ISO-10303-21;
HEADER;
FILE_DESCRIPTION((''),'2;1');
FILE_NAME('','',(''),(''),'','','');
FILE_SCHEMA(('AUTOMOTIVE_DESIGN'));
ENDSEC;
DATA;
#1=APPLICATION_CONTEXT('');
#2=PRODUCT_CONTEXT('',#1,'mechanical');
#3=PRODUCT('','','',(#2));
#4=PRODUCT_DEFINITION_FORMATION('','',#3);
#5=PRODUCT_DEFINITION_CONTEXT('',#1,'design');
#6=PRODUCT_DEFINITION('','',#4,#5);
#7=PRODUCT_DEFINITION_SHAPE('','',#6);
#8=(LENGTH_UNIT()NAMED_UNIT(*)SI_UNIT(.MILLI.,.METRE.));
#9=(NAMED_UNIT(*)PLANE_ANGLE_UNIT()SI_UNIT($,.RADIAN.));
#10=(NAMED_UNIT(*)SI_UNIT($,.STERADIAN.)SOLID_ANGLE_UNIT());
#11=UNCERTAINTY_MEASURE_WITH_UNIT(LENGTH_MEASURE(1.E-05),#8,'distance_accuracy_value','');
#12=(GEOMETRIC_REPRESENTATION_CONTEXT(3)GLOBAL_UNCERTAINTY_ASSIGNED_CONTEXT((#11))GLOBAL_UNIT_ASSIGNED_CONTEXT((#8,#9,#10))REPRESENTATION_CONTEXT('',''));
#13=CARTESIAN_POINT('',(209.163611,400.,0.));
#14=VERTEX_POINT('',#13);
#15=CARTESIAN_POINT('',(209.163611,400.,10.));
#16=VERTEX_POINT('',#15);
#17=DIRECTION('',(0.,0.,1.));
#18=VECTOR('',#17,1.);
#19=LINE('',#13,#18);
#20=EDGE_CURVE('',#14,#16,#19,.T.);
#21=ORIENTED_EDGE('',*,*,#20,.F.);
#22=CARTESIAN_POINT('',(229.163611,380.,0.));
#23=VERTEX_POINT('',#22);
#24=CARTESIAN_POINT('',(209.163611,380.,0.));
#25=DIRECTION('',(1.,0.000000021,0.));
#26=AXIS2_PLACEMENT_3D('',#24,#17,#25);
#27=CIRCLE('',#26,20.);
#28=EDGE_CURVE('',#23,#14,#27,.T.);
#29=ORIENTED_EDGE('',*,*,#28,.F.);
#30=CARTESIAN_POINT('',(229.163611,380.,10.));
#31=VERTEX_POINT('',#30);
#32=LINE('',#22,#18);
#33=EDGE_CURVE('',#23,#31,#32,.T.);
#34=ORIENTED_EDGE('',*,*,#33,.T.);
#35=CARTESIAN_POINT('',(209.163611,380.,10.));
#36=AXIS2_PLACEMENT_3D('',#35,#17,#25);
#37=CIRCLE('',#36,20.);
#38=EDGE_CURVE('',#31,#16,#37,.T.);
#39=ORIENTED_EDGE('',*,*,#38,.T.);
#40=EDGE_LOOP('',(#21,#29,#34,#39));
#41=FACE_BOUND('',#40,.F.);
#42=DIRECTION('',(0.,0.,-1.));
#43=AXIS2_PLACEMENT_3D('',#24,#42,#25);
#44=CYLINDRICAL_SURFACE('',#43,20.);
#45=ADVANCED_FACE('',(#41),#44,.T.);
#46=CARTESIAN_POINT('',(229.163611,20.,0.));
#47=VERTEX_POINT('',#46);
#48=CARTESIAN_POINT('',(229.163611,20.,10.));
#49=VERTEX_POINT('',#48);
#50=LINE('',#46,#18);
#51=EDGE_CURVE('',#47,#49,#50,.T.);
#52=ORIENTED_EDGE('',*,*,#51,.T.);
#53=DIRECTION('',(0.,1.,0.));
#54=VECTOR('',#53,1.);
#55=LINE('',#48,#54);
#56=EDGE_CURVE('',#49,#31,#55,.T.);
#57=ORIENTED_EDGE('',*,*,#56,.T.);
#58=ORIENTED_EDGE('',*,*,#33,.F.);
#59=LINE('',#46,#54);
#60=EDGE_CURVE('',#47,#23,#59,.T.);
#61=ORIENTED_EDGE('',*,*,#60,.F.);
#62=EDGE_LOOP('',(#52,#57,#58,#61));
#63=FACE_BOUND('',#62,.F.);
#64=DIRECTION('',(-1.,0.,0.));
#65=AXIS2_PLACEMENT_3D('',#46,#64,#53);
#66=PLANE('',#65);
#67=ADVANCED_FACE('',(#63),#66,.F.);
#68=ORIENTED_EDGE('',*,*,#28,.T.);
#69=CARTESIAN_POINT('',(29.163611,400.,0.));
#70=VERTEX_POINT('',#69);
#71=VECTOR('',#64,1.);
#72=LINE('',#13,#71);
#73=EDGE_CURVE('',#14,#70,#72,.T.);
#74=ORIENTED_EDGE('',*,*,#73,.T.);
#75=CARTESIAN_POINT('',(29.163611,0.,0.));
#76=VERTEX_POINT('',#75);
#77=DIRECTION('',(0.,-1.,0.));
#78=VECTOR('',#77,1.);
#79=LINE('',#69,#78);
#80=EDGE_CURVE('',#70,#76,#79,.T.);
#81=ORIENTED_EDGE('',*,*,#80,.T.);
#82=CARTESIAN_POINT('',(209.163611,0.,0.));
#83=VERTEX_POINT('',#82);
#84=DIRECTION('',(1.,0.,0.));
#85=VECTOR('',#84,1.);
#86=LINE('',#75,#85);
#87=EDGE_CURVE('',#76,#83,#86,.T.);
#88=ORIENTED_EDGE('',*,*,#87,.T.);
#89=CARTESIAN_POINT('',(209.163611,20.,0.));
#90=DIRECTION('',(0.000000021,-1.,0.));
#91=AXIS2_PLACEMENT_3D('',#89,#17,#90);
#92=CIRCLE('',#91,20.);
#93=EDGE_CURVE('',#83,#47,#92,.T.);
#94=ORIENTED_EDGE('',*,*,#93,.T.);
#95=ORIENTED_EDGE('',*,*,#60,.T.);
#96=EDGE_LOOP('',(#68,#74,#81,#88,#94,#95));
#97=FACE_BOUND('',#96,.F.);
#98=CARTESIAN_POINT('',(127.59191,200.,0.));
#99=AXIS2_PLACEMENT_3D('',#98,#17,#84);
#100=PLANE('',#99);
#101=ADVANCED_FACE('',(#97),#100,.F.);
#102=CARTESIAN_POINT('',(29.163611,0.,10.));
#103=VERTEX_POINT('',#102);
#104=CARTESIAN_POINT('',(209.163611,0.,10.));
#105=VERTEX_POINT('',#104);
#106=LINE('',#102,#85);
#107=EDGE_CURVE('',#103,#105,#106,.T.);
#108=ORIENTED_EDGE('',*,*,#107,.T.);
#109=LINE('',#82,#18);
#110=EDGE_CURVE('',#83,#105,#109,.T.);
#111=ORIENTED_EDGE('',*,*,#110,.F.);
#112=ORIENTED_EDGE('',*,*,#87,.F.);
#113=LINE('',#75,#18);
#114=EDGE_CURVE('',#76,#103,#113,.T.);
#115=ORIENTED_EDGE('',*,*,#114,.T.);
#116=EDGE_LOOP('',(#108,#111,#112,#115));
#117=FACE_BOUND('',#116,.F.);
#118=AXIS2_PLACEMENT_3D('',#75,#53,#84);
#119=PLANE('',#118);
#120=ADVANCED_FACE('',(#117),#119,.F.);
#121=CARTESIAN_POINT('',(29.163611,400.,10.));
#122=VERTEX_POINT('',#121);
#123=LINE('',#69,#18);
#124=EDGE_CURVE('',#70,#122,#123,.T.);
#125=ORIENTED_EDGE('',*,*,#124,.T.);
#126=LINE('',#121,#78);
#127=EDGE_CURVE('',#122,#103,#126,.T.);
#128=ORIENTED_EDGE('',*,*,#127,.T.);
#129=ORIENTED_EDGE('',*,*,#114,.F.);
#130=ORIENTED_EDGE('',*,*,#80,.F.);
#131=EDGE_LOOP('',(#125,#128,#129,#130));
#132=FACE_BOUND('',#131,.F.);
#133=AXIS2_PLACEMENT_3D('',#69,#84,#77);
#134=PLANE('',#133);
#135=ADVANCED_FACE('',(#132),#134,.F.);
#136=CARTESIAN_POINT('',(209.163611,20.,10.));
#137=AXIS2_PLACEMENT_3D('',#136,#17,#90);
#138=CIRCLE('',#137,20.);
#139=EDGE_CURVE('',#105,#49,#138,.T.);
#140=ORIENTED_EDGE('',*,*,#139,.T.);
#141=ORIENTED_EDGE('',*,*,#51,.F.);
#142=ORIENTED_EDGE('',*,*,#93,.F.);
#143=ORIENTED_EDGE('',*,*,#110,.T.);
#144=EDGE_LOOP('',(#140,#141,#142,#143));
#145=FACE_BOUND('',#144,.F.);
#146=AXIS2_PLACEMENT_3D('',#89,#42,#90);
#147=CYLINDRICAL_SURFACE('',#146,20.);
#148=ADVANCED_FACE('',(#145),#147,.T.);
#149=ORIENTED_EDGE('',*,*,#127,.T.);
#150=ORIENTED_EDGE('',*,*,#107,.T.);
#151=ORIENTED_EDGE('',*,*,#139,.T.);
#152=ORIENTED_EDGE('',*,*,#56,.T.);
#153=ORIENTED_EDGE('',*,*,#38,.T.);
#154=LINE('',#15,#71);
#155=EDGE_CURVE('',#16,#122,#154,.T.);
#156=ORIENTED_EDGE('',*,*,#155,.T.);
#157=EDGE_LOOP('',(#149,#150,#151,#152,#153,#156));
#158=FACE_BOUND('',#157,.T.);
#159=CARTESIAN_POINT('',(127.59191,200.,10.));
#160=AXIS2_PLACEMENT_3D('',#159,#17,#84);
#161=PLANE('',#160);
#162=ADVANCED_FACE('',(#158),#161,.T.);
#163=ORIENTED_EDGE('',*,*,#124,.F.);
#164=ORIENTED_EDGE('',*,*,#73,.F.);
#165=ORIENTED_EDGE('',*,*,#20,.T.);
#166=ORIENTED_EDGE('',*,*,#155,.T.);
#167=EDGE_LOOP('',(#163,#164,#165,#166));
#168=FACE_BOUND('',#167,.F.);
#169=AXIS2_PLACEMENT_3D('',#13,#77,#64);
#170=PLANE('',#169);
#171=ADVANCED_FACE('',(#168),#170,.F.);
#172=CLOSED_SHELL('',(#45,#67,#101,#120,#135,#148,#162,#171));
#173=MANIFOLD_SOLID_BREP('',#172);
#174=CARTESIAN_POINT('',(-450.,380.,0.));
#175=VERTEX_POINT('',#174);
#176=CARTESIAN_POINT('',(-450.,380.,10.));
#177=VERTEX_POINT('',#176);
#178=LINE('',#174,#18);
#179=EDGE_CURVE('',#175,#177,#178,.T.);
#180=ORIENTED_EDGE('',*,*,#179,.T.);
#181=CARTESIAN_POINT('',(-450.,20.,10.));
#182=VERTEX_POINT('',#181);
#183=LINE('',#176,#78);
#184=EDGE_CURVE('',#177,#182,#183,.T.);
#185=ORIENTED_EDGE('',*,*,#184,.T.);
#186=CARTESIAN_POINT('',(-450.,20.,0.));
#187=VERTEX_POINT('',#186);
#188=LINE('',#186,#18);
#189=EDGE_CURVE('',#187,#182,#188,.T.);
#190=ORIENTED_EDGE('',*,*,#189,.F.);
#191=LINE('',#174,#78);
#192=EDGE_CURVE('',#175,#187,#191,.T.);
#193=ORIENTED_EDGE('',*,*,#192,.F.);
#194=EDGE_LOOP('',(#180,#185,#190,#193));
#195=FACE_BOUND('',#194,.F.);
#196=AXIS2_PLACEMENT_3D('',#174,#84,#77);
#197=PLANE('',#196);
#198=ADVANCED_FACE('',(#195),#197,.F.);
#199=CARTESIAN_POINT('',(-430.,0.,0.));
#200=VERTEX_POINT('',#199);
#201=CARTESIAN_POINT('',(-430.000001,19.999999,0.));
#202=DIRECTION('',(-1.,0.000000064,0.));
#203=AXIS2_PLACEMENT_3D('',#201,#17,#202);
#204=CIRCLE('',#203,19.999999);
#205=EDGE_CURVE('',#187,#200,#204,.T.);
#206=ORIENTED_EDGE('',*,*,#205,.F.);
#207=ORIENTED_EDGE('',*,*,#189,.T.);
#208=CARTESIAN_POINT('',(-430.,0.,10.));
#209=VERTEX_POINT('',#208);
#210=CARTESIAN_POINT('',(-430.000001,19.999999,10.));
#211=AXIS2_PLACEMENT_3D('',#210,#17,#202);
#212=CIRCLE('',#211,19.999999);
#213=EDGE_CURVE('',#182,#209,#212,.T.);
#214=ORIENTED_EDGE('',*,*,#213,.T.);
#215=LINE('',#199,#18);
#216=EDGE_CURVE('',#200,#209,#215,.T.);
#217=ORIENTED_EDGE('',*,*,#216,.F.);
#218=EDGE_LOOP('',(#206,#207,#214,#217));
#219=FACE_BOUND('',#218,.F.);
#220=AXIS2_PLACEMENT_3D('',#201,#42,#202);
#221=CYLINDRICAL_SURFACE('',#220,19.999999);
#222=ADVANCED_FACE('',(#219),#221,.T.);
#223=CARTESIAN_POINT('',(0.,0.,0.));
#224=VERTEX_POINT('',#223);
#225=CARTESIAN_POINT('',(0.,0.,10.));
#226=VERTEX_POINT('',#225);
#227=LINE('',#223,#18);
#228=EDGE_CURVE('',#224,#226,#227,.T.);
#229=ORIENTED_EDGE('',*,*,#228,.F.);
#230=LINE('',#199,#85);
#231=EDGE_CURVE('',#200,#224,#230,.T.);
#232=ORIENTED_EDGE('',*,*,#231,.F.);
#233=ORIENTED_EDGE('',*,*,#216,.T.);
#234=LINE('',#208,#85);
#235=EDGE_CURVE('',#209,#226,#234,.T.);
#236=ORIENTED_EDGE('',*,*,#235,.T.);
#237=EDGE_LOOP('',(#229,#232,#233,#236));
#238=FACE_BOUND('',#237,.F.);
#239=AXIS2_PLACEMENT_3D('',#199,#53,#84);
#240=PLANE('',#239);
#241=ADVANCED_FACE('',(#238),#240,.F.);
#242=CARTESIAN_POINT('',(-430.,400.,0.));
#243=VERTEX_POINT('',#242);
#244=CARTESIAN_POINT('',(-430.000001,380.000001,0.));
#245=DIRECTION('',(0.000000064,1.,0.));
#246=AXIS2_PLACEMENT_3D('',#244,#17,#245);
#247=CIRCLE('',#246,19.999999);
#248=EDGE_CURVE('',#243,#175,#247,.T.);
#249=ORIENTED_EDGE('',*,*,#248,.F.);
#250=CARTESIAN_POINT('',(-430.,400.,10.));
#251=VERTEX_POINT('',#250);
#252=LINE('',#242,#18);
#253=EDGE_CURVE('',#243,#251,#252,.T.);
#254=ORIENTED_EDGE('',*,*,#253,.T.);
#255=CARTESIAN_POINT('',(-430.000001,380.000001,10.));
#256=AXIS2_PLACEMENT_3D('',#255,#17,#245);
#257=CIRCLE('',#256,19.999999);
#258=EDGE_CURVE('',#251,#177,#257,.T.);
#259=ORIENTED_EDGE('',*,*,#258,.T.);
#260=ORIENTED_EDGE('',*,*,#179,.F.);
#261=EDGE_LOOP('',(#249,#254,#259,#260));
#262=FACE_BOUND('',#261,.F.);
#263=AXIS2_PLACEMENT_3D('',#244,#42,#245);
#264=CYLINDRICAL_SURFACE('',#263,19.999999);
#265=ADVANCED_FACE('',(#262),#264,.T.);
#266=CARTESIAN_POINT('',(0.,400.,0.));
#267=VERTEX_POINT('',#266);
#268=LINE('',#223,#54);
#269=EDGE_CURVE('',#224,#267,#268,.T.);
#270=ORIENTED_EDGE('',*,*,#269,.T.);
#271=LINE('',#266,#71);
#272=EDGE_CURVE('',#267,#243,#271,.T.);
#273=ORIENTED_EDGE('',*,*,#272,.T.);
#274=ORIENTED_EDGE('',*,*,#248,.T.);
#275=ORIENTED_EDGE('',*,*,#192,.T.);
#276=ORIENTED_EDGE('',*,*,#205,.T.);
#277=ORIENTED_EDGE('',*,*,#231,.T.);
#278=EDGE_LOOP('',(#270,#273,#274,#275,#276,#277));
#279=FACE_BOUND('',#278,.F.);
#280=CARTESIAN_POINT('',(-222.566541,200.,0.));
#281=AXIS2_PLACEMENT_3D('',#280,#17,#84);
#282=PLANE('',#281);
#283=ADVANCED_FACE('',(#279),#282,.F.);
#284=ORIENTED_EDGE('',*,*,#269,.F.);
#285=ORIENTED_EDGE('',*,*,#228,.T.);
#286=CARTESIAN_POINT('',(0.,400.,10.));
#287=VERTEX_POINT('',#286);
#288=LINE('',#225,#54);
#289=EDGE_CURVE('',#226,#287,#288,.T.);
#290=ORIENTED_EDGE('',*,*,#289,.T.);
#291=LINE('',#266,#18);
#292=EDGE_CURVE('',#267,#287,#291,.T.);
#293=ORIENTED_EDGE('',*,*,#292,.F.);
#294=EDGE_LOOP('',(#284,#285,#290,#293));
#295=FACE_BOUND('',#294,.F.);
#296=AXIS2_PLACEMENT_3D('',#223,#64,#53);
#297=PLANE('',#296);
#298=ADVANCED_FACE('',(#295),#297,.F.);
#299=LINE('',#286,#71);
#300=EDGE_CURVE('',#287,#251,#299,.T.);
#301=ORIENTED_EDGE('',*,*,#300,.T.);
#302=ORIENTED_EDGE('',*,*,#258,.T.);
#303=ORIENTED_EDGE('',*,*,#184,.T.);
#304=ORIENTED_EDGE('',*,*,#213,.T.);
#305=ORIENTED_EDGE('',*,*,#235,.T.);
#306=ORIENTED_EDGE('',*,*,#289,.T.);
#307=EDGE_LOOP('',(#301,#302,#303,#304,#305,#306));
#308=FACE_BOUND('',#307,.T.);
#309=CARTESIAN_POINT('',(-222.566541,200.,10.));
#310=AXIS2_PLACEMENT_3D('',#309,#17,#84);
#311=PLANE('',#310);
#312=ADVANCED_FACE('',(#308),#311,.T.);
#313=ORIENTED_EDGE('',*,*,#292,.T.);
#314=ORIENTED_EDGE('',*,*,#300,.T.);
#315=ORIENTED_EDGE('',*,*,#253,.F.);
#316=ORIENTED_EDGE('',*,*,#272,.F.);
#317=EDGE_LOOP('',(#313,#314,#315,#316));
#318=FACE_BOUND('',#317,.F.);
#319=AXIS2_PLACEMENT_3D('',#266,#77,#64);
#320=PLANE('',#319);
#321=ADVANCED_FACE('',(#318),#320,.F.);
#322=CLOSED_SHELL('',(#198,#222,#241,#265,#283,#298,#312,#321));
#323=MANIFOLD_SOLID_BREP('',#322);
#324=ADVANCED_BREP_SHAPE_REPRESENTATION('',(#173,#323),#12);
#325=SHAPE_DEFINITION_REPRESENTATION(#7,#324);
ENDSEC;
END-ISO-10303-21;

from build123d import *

# Parameters (mm, degrees)
F1_DEPTH = 10
F3_DEPTH = 10


with BuildPart() as f1:
    # F0 (on Top) → F1 (new body)
    with BuildSketch(Plane.XY):
        with BuildLine():
            Line((-430, 0), (0, 0))
            Line((0, 0), (0, 400))
            Line((0, 400), (-430, 400))
            ThreePointArc((-430, 400), (-444.142136, 394.142136), (-450, 380))
            Line((-450, 380), (-450, 20))
            ThreePointArc((-450, 20), (-444.142136, 5.857864), (-430, 0))
        make_face()
    extrude(amount=F1_DEPTH)


with BuildPart() as f3:
    # F2 (on Top) → F3 (new body)
    with BuildSketch(Plane.XY):
        with BuildLine():
            Line((29.163611, 400), (29.163611, 0))
            Line((29.163611, 0), (209.163611, 0))
            ThreePointArc((209.163611, 0), (223.305746, 5.857864), (229.163611, 20))
            Line((229.163611, 20), (229.163611, 380))
            ThreePointArc((229.163611, 380), (223.305746, 394.142136), (209.163611, 400))
            Line((209.163611, 400), (29.163611, 400))
        make_face()
    extrude(amount=F3_DEPTH)


solid = Compound([f1.part, f3.part])
